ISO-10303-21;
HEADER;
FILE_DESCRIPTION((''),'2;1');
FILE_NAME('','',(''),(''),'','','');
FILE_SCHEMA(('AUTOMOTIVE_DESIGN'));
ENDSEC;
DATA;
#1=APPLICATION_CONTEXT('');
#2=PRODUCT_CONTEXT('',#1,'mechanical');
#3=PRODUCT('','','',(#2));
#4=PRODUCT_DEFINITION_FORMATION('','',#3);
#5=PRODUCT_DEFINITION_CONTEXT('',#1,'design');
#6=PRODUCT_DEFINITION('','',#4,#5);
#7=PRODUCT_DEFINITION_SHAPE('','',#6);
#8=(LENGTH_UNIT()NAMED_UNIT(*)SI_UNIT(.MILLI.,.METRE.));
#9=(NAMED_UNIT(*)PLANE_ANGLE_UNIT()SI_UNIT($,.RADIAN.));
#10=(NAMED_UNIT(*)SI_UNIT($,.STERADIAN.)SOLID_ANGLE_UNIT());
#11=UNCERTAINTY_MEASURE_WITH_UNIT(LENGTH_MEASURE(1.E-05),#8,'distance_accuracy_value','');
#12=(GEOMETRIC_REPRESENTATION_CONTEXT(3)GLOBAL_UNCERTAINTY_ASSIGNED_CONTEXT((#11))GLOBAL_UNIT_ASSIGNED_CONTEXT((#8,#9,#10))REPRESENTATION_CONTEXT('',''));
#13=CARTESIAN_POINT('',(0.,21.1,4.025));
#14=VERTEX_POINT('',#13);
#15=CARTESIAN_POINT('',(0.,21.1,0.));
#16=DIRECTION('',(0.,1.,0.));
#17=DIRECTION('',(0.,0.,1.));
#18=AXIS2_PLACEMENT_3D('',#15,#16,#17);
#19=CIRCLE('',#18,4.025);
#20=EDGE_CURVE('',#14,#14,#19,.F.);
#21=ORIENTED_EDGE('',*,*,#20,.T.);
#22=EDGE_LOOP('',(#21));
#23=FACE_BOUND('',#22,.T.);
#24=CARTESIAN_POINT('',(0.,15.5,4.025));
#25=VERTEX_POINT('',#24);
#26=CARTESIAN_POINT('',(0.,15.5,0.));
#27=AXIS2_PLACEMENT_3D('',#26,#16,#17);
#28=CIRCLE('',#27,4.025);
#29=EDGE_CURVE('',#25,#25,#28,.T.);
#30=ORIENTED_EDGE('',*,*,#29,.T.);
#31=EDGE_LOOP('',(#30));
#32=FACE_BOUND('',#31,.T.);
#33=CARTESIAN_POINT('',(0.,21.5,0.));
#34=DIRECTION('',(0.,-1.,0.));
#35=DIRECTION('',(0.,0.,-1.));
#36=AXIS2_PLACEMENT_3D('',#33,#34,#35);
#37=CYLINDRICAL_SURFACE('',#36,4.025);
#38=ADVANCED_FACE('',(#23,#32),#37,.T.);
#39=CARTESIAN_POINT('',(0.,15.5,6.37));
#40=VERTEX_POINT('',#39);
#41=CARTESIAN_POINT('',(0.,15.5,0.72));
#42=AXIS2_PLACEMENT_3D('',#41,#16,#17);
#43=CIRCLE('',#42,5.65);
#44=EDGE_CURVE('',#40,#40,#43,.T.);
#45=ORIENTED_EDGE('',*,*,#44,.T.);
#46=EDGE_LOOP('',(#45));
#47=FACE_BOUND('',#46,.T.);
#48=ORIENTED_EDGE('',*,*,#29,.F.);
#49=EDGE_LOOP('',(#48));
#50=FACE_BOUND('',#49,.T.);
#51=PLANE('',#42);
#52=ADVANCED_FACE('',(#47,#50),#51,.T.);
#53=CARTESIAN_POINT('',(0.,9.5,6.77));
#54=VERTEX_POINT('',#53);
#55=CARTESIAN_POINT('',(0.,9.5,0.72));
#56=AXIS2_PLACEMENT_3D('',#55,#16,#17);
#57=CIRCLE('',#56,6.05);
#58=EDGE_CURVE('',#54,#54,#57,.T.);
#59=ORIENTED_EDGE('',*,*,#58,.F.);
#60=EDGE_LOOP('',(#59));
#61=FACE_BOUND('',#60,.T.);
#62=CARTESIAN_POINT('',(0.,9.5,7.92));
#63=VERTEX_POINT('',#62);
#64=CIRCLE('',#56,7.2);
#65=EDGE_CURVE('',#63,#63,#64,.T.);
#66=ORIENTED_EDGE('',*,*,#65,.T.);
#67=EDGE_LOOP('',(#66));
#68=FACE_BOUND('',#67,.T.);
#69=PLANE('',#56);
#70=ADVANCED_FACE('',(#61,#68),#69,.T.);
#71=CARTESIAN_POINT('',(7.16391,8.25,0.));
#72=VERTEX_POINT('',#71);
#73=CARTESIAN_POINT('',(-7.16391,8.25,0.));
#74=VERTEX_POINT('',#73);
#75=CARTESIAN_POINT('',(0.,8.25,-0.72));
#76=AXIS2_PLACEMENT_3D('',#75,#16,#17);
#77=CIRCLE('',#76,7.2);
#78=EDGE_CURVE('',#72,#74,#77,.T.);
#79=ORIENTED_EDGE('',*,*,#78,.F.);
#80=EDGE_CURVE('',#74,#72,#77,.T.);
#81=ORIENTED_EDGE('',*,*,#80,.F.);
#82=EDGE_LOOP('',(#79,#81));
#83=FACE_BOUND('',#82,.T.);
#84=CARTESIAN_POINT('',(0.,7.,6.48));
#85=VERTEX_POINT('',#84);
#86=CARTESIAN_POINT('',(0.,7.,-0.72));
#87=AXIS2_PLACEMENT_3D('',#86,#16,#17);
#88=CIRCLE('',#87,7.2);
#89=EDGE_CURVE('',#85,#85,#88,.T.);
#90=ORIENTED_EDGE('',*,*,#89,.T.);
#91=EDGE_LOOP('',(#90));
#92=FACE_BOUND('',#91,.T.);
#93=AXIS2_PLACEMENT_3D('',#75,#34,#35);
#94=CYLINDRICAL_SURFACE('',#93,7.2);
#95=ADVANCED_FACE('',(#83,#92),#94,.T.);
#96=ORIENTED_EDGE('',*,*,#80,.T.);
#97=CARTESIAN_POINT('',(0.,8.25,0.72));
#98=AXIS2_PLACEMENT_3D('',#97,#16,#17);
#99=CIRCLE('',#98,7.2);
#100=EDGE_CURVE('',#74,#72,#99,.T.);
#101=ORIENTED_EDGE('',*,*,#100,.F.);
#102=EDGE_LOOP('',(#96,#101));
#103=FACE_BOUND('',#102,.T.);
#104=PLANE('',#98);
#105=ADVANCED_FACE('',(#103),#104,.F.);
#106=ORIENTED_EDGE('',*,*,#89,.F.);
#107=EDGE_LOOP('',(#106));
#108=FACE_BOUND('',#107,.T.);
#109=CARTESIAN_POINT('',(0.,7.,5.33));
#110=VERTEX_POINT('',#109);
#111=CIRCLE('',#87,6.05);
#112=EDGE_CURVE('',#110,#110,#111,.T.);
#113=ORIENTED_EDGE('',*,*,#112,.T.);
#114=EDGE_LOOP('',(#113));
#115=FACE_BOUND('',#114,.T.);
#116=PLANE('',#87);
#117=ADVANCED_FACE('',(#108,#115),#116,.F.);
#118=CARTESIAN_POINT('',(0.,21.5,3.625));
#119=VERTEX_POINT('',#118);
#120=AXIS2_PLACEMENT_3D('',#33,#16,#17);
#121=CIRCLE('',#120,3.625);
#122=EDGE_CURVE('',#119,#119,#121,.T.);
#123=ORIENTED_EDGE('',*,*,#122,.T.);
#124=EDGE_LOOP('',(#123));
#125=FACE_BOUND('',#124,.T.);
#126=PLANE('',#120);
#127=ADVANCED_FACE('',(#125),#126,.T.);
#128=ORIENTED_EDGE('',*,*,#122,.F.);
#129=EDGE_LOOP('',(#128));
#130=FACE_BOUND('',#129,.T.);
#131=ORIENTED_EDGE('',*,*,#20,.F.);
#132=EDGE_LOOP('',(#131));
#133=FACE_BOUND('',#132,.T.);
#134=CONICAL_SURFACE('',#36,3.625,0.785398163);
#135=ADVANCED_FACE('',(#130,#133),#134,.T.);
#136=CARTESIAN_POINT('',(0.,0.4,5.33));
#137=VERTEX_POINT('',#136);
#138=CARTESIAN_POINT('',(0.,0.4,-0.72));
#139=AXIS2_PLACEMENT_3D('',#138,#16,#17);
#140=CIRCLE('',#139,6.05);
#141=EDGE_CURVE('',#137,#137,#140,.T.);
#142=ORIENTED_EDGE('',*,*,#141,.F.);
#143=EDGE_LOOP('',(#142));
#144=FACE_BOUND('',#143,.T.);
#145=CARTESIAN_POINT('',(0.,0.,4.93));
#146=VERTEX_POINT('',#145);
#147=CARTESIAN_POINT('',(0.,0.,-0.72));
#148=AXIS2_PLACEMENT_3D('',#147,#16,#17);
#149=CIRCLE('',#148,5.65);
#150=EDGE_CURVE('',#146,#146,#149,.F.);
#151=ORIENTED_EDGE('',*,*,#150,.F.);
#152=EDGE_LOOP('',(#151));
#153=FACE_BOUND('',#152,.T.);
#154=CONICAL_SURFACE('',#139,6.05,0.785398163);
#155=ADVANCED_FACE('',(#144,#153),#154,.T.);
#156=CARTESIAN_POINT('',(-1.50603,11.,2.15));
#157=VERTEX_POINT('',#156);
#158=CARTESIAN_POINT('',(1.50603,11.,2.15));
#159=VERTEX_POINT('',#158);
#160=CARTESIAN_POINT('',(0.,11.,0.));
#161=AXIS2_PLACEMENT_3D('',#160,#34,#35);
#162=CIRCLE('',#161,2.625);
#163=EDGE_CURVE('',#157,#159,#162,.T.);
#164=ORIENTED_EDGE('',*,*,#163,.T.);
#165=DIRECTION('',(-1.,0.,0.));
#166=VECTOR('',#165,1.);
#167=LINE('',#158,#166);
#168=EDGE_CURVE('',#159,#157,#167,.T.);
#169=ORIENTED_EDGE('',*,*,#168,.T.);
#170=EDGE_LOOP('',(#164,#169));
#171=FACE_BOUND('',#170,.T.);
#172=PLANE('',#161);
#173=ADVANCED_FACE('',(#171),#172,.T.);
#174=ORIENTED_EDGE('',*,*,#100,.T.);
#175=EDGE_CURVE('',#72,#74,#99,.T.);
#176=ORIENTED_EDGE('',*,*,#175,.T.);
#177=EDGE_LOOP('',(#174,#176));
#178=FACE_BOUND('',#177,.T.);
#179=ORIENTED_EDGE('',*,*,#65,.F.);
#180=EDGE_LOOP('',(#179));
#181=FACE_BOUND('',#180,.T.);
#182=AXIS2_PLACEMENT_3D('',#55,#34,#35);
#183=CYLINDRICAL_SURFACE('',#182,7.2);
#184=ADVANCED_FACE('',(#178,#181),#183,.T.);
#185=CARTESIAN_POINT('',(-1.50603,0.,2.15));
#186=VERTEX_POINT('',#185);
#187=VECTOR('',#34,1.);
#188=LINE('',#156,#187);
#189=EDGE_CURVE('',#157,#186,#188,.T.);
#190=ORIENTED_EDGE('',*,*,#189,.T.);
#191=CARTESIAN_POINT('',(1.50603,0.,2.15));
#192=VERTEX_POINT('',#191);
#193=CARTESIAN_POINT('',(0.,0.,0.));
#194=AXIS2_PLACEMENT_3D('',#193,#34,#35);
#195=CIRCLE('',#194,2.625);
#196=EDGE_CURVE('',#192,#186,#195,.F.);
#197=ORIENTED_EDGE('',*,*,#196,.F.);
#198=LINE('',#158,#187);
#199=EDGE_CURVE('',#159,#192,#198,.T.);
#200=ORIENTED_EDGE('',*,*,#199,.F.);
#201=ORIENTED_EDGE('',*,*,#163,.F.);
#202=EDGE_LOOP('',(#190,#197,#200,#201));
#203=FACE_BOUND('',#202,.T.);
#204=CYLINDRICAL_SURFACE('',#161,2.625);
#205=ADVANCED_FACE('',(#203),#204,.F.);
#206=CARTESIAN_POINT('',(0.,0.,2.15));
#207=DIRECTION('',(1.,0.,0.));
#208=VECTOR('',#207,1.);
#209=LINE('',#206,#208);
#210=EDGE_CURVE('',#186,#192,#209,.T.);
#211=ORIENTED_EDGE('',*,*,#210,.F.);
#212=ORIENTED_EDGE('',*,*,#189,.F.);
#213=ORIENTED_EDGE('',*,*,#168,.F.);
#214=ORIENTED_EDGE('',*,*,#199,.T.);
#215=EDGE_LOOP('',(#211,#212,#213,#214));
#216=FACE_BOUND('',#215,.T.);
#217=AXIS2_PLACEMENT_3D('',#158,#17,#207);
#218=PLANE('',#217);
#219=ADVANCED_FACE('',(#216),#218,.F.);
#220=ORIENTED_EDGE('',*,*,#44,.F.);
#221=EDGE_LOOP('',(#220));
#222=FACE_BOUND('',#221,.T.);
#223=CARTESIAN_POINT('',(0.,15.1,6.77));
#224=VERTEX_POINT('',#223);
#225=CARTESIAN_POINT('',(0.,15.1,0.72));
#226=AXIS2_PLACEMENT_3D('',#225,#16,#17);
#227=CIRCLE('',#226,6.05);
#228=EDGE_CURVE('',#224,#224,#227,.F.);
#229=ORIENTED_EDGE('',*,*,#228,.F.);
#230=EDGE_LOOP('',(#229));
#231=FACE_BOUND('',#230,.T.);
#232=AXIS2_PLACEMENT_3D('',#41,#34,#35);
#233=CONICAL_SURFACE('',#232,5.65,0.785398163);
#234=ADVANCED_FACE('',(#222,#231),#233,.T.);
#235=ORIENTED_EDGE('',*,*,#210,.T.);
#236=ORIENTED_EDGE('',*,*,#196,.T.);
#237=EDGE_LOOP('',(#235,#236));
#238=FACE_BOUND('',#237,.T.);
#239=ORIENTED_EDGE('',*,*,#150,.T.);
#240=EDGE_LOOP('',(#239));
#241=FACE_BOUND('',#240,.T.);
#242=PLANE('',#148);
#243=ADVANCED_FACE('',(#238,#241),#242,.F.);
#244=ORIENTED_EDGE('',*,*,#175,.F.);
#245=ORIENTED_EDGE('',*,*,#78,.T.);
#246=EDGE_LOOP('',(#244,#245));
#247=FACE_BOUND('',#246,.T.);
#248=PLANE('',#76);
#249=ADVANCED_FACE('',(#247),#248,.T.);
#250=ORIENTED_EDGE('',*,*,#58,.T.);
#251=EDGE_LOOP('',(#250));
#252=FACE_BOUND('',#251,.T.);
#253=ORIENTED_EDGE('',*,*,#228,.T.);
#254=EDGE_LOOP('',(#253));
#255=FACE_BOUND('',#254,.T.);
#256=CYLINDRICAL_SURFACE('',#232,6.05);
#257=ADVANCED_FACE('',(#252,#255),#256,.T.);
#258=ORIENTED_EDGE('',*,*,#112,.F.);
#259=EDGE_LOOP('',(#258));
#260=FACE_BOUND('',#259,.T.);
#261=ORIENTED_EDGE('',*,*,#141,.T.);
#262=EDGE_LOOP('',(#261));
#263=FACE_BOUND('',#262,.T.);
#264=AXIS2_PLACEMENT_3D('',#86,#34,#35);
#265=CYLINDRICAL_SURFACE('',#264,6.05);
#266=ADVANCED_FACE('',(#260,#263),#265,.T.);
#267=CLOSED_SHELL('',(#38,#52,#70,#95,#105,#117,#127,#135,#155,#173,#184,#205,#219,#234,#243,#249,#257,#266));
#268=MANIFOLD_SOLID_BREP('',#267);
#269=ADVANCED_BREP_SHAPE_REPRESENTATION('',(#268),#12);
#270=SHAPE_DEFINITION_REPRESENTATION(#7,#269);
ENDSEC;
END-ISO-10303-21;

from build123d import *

# Parameters (mm, degrees)
SKETCH1_R               = 6.05
BOSS_EXTRUDE1_DEPTH     = 7
SKETCH2_R               = 7.2
BOSS_EXTRUDE2_DEPTH     = 1.25
SKETCH3_R               = 7.2
BOSS_EXTRUDE3_DEPTH     = 1.25
SKETCH4_R               = 6.05
BOSS_EXTRUDE4_DEPTH     = 6
CUT_EXTRUDE2_DEPTH      = 19.836570813
CUT_EXTRUDE2_DEPTH_BACK = 11
SKETCH6_R               = 4.025
BOSS_EXTRUDE5_DEPTH     = 6
CHAMFER1_SIZE           = 0.4
CHAMFER2_SIZE           = 0.4


with BuildPart() as part:
    # Sketch1 → Boss-Extrude1 (new body)
    with BuildSketch(Plane(origin=(0, 0, 0), x_dir=(1, 0, 0), z_dir=(0, 1, 0))):
        with Locations(Location((0, 0.72, 0), (0, 0, 270))):
            Circle(SKETCH1_R)
    extrude(amount=BOSS_EXTRUDE1_DEPTH)

    # Sketch2 → Boss-Extrude2 (add)
    with BuildSketch(Plane(origin=(0, 7, 0), x_dir=(1, 0, 0), z_dir=(0, 1, 0))):
        with Locations(Location((0, 0.72, 0), (0, 0, 270))):
            Circle(SKETCH2_R)
    extrude(amount=BOSS_EXTRUDE2_DEPTH)

    # Sketch3 → Boss-Extrude3 (add)
    with BuildSketch(Plane(origin=(0, 8.25, 0), x_dir=(1, 0, 0), z_dir=(0, 1, 0))):
        with Locations(Location((0, -0.72, 0), (0, 0, 174.260829523))):
            Circle(SKETCH3_R)
    extrude(amount=BOSS_EXTRUDE3_DEPTH)

    # Sketch4 → Boss-Extrude4 (add)
    with BuildSketch(Plane(origin=(0, 9.5, 0), x_dir=(1, 0, 0), z_dir=(0, 1, 0))):
        with Locations(Location((0, -0.72, 0), (0, 0, 270))):
            Circle(SKETCH4_R)
    extrude(amount=BOSS_EXTRUDE4_DEPTH)

    # Sketch5 → Cut-Extrude2 (cut, two sides: drawn at the far end of the back side and taken through both)
    with BuildSketch(Plane.XZ.offset(-CUT_EXTRUDE2_DEPTH_BACK)):
        with BuildLine():
            Line((1.506029548, 2.15), (-1.506029548, 2.15))
            ThreePointArc((-1.506029548, 2.15), (0, -2.625), (1.506029548, 2.15))
        make_face()
    extrude(amount=CUT_EXTRUDE2_DEPTH + CUT_EXTRUDE2_DEPTH_BACK, mode=Mode.SUBTRACT)

    # Sketch6 → Boss-Extrude5 (add)
    with BuildSketch(Plane(origin=(0, 15.5, 0), x_dir=(1, 0, 0), z_dir=(0, 1, 0))):
        with Locations(Location((0, 0, 0), (0, 0, 270))):
            Circle(SKETCH6_R)
    extrude(amount=BOSS_EXTRUDE5_DEPTH)

    # Chamfer1
    chamfer1_edges = [part.edges().sort_by_distance(p)[0] for p in [
        (0, 21.5, -4.025),
    ]]
    chamfer(chamfer1_edges, length=CHAMFER1_SIZE)

    # Chamfer2
    chamfer2_edges = [part.edges().sort_by_distance(p)[0] for p in [
        (0, 15.5, -5.33),
        (0, 0, -6.77),
    ]]
    chamfer(chamfer2_edges, length=CHAMFER2_SIZE)


solid = part.part
